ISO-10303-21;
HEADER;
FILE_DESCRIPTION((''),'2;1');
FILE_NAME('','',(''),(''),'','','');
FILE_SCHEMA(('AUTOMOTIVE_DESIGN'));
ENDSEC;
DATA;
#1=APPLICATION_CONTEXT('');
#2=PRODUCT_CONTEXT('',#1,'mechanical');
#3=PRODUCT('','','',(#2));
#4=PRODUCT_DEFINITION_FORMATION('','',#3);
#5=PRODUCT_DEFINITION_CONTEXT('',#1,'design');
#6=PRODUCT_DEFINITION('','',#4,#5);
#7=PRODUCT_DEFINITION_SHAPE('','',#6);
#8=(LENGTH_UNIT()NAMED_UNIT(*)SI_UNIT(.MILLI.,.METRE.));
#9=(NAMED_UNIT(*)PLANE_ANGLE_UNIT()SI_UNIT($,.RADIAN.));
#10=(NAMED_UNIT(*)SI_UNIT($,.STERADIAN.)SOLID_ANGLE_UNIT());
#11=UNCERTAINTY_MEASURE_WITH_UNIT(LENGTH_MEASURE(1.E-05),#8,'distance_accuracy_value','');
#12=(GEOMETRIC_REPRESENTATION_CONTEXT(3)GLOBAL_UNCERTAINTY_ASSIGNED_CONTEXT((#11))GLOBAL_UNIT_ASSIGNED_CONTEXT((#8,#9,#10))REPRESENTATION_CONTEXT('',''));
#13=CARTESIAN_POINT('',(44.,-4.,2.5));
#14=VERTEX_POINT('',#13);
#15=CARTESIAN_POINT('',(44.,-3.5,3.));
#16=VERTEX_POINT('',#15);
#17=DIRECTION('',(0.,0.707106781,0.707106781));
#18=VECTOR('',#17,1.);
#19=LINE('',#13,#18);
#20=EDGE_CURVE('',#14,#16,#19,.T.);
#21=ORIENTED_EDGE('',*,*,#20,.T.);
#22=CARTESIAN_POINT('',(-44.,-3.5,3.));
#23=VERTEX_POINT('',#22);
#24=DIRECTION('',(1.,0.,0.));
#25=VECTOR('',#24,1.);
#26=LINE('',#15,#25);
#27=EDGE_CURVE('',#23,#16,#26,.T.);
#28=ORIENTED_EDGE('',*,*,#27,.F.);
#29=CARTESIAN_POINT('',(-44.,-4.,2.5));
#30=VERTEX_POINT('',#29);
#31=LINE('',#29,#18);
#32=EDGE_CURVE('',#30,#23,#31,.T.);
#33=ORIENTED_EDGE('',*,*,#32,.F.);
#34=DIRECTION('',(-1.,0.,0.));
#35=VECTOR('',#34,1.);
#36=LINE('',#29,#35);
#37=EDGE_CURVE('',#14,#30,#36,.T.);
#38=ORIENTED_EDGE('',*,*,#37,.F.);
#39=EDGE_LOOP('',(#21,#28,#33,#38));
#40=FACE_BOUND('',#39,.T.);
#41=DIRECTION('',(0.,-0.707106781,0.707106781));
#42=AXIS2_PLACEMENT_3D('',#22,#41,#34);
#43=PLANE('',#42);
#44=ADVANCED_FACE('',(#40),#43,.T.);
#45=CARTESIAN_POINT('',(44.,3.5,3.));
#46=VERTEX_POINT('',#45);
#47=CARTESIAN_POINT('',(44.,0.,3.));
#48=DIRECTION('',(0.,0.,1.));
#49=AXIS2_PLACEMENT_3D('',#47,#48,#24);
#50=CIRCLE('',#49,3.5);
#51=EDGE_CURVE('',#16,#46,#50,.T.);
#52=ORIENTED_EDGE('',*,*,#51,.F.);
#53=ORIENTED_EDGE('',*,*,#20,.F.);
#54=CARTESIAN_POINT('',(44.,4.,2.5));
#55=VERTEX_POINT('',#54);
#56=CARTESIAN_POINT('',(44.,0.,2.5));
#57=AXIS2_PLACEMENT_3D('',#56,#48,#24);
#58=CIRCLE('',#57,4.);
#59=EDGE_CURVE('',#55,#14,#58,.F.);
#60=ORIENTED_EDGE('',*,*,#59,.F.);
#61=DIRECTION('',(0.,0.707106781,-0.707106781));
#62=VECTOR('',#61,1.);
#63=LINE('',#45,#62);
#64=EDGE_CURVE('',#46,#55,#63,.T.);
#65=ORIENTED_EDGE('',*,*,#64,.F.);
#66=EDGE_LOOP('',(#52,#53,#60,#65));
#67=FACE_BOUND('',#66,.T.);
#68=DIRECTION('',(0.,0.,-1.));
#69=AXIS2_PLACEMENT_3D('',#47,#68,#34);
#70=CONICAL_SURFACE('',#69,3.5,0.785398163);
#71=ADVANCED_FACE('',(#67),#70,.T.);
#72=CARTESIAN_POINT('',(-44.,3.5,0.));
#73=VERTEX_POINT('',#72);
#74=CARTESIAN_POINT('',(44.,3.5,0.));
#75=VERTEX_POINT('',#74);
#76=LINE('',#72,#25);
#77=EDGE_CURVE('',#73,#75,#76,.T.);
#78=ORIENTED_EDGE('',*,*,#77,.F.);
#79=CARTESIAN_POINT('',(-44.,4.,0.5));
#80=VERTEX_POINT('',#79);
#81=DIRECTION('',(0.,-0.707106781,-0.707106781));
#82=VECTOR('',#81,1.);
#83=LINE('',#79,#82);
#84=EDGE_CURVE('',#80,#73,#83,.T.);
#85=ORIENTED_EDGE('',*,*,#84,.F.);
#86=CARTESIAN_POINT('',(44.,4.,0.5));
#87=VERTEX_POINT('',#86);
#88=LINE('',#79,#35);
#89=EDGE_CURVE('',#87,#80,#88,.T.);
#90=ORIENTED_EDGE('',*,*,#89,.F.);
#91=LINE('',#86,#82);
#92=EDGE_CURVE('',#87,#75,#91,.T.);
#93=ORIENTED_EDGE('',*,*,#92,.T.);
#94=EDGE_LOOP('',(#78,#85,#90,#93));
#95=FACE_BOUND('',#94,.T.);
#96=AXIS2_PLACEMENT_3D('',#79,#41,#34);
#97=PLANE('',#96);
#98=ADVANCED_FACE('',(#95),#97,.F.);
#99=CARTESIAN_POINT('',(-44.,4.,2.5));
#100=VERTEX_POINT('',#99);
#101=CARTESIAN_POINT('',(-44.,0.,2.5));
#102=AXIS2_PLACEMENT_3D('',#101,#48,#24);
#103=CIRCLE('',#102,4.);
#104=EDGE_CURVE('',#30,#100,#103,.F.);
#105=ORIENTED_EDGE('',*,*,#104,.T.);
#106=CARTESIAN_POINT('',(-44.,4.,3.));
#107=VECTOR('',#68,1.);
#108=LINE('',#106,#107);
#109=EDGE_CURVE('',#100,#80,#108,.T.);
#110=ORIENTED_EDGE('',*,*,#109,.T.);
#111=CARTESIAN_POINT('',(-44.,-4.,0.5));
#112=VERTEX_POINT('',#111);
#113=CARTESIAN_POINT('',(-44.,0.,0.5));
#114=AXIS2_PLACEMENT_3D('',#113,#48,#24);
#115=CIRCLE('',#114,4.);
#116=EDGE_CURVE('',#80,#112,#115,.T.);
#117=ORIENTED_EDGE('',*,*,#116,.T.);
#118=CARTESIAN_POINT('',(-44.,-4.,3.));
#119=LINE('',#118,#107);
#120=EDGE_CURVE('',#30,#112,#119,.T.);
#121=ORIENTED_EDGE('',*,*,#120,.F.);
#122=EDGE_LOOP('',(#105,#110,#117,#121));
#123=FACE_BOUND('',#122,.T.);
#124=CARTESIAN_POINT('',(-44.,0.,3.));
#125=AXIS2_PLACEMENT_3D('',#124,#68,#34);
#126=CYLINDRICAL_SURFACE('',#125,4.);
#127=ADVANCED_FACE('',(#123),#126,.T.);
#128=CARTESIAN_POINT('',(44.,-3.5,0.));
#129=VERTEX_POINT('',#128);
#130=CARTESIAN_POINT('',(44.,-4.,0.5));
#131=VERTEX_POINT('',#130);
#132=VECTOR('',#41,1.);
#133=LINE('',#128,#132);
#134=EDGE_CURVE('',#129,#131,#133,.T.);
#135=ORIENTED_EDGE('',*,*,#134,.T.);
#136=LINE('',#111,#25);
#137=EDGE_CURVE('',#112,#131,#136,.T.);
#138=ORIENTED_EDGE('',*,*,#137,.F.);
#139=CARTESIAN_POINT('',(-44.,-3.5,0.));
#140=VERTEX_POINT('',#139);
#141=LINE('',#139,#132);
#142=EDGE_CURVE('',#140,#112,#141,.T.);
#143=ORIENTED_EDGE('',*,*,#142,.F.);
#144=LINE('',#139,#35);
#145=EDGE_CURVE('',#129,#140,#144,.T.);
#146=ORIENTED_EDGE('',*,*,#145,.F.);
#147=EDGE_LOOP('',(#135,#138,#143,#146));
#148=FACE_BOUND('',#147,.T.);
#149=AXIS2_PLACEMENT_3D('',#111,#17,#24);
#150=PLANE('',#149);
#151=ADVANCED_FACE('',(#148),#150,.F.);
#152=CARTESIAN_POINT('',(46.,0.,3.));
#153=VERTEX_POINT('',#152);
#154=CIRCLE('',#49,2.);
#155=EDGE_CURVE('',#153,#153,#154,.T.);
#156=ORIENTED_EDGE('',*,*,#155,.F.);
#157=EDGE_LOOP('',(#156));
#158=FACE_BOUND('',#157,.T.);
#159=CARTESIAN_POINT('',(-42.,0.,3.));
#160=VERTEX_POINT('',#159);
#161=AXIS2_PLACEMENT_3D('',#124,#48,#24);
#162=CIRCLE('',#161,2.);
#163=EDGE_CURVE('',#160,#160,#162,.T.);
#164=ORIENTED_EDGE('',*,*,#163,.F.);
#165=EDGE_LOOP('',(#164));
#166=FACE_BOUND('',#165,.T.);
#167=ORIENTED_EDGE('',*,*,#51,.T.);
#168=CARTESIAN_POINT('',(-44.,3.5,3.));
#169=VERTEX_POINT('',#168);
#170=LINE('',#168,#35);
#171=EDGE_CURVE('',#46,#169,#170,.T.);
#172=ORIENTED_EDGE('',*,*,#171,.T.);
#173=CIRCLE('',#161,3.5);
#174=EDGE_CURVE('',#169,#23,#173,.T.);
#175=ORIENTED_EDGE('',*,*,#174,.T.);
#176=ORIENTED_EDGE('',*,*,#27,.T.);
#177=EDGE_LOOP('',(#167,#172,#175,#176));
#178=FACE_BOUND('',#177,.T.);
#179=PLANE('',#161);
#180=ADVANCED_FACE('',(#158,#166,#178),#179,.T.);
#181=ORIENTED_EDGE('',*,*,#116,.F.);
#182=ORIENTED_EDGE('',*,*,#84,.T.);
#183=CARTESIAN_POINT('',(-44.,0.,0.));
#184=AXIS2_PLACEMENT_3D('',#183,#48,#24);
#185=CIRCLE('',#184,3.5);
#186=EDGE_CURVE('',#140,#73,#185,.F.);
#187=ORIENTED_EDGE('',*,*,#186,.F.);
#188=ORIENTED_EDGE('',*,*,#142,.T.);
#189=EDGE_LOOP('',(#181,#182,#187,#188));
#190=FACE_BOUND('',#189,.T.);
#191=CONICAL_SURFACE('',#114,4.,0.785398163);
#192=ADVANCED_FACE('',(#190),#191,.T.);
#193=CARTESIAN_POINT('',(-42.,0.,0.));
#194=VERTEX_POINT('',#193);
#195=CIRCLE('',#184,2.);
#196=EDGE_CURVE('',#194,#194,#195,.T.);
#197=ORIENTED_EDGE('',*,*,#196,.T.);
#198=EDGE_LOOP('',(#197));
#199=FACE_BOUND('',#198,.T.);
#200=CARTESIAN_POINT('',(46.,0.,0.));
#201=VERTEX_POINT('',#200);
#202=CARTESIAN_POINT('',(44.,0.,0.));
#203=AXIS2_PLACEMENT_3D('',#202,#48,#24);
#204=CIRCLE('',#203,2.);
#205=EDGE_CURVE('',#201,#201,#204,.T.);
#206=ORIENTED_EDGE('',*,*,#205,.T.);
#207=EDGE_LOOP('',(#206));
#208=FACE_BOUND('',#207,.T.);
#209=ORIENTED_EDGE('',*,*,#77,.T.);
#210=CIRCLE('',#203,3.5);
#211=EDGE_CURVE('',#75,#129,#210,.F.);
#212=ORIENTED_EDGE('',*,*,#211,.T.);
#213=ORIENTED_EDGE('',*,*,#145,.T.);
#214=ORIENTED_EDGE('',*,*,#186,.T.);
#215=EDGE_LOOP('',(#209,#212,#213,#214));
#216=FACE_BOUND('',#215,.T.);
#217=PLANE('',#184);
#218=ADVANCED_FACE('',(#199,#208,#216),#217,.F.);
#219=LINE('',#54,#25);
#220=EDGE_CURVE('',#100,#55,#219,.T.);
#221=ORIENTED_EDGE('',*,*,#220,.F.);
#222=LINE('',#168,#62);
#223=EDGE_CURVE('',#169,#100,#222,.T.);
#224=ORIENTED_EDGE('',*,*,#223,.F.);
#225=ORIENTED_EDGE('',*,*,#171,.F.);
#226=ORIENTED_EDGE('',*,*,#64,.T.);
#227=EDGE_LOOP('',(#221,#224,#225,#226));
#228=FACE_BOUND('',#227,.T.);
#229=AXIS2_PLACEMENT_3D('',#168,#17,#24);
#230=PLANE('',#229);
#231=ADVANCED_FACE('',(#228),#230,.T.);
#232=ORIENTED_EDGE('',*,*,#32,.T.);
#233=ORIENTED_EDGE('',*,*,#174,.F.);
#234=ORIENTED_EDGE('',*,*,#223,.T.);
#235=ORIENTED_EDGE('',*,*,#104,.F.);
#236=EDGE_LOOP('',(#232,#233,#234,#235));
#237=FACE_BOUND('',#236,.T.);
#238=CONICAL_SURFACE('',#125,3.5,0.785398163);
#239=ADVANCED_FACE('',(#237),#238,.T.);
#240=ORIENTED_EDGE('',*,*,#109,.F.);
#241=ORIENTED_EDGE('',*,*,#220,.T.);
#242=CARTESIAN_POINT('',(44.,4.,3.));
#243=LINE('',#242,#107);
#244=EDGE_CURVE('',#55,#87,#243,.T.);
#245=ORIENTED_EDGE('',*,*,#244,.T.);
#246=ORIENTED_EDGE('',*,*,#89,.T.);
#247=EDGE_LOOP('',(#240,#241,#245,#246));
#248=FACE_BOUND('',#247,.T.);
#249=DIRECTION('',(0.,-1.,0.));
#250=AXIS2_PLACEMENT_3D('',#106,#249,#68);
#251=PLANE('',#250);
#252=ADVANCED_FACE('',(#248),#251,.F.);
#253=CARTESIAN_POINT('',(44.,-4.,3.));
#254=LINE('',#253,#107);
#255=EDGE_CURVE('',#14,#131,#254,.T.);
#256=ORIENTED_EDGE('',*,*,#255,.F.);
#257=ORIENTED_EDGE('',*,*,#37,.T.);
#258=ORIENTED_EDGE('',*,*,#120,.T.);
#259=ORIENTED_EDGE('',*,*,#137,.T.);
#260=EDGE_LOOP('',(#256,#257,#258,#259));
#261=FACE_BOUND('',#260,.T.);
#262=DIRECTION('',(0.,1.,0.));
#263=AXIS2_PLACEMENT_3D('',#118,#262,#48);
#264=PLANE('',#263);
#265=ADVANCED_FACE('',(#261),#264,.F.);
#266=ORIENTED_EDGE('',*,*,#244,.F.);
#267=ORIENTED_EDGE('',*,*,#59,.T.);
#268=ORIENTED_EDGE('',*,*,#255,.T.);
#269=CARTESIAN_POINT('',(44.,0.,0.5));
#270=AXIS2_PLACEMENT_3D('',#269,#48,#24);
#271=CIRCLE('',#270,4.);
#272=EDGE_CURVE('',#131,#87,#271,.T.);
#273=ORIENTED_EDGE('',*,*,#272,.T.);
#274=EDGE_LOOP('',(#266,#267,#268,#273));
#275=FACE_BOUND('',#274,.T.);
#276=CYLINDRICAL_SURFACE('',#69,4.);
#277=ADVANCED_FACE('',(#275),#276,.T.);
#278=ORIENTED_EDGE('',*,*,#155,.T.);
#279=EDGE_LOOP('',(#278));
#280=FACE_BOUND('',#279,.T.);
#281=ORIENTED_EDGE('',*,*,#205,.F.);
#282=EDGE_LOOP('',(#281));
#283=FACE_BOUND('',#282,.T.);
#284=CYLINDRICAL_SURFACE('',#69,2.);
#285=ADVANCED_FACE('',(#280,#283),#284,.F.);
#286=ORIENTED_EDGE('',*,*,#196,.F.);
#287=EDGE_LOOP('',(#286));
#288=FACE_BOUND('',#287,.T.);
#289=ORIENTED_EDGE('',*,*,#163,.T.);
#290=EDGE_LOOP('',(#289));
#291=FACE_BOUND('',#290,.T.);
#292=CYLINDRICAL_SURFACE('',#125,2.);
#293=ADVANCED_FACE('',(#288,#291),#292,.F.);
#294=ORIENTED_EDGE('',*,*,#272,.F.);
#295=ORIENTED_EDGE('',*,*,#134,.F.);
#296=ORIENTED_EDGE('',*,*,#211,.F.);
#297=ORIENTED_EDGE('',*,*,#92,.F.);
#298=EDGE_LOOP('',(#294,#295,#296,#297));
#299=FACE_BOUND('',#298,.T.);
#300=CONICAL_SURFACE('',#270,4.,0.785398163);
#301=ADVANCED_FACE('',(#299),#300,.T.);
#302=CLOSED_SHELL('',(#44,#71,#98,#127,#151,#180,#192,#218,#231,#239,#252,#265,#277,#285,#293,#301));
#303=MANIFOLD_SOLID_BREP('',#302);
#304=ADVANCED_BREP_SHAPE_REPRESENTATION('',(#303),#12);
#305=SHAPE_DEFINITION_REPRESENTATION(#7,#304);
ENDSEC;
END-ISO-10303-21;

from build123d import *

# Parameters (mm, degrees)
SKETCH1_R           = 2
BOSS_EXTRUDE1_DEPTH = 3
CHAMFER1_SIZE       = 0.5


with BuildPart() as part:
    # Sketch1 → Boss-Extrude1 (new body)
    with BuildSketch(Plane.XY):
        with BuildLine():
            Line((-44, 4), (44, 4))
            ThreePointArc((44, 4), (48, 0), (44, -4))
            Line((44, -4), (-44, -4))
            ThreePointArc((-44, -4), (-48, 0), (-44, 4))
        make_face()
        with Locations((-44, 0)):
            Circle(SKETCH1_R, mode=Mode.SUBTRACT)
        with Locations((44, 0)):
            Circle(SKETCH1_R, mode=Mode.SUBTRACT)
    extrude(amount=BOSS_EXTRUDE1_DEPTH)

    # Chamfer1
    chamfer1_edges = [part.edges().sort_by_distance(p)[0] for p in [
        (48, 0, 3),
        (0, 4, 3),
        (-48, 0, 3),
        (0, 4, 0),
        (48, 0, 0),
        (0, -4, 0),
        (-48, 0, 0),
        (0, -4, 3),
    ]]
    chamfer(chamfer1_edges, length=CHAMFER1_SIZE)


solid = part.part
